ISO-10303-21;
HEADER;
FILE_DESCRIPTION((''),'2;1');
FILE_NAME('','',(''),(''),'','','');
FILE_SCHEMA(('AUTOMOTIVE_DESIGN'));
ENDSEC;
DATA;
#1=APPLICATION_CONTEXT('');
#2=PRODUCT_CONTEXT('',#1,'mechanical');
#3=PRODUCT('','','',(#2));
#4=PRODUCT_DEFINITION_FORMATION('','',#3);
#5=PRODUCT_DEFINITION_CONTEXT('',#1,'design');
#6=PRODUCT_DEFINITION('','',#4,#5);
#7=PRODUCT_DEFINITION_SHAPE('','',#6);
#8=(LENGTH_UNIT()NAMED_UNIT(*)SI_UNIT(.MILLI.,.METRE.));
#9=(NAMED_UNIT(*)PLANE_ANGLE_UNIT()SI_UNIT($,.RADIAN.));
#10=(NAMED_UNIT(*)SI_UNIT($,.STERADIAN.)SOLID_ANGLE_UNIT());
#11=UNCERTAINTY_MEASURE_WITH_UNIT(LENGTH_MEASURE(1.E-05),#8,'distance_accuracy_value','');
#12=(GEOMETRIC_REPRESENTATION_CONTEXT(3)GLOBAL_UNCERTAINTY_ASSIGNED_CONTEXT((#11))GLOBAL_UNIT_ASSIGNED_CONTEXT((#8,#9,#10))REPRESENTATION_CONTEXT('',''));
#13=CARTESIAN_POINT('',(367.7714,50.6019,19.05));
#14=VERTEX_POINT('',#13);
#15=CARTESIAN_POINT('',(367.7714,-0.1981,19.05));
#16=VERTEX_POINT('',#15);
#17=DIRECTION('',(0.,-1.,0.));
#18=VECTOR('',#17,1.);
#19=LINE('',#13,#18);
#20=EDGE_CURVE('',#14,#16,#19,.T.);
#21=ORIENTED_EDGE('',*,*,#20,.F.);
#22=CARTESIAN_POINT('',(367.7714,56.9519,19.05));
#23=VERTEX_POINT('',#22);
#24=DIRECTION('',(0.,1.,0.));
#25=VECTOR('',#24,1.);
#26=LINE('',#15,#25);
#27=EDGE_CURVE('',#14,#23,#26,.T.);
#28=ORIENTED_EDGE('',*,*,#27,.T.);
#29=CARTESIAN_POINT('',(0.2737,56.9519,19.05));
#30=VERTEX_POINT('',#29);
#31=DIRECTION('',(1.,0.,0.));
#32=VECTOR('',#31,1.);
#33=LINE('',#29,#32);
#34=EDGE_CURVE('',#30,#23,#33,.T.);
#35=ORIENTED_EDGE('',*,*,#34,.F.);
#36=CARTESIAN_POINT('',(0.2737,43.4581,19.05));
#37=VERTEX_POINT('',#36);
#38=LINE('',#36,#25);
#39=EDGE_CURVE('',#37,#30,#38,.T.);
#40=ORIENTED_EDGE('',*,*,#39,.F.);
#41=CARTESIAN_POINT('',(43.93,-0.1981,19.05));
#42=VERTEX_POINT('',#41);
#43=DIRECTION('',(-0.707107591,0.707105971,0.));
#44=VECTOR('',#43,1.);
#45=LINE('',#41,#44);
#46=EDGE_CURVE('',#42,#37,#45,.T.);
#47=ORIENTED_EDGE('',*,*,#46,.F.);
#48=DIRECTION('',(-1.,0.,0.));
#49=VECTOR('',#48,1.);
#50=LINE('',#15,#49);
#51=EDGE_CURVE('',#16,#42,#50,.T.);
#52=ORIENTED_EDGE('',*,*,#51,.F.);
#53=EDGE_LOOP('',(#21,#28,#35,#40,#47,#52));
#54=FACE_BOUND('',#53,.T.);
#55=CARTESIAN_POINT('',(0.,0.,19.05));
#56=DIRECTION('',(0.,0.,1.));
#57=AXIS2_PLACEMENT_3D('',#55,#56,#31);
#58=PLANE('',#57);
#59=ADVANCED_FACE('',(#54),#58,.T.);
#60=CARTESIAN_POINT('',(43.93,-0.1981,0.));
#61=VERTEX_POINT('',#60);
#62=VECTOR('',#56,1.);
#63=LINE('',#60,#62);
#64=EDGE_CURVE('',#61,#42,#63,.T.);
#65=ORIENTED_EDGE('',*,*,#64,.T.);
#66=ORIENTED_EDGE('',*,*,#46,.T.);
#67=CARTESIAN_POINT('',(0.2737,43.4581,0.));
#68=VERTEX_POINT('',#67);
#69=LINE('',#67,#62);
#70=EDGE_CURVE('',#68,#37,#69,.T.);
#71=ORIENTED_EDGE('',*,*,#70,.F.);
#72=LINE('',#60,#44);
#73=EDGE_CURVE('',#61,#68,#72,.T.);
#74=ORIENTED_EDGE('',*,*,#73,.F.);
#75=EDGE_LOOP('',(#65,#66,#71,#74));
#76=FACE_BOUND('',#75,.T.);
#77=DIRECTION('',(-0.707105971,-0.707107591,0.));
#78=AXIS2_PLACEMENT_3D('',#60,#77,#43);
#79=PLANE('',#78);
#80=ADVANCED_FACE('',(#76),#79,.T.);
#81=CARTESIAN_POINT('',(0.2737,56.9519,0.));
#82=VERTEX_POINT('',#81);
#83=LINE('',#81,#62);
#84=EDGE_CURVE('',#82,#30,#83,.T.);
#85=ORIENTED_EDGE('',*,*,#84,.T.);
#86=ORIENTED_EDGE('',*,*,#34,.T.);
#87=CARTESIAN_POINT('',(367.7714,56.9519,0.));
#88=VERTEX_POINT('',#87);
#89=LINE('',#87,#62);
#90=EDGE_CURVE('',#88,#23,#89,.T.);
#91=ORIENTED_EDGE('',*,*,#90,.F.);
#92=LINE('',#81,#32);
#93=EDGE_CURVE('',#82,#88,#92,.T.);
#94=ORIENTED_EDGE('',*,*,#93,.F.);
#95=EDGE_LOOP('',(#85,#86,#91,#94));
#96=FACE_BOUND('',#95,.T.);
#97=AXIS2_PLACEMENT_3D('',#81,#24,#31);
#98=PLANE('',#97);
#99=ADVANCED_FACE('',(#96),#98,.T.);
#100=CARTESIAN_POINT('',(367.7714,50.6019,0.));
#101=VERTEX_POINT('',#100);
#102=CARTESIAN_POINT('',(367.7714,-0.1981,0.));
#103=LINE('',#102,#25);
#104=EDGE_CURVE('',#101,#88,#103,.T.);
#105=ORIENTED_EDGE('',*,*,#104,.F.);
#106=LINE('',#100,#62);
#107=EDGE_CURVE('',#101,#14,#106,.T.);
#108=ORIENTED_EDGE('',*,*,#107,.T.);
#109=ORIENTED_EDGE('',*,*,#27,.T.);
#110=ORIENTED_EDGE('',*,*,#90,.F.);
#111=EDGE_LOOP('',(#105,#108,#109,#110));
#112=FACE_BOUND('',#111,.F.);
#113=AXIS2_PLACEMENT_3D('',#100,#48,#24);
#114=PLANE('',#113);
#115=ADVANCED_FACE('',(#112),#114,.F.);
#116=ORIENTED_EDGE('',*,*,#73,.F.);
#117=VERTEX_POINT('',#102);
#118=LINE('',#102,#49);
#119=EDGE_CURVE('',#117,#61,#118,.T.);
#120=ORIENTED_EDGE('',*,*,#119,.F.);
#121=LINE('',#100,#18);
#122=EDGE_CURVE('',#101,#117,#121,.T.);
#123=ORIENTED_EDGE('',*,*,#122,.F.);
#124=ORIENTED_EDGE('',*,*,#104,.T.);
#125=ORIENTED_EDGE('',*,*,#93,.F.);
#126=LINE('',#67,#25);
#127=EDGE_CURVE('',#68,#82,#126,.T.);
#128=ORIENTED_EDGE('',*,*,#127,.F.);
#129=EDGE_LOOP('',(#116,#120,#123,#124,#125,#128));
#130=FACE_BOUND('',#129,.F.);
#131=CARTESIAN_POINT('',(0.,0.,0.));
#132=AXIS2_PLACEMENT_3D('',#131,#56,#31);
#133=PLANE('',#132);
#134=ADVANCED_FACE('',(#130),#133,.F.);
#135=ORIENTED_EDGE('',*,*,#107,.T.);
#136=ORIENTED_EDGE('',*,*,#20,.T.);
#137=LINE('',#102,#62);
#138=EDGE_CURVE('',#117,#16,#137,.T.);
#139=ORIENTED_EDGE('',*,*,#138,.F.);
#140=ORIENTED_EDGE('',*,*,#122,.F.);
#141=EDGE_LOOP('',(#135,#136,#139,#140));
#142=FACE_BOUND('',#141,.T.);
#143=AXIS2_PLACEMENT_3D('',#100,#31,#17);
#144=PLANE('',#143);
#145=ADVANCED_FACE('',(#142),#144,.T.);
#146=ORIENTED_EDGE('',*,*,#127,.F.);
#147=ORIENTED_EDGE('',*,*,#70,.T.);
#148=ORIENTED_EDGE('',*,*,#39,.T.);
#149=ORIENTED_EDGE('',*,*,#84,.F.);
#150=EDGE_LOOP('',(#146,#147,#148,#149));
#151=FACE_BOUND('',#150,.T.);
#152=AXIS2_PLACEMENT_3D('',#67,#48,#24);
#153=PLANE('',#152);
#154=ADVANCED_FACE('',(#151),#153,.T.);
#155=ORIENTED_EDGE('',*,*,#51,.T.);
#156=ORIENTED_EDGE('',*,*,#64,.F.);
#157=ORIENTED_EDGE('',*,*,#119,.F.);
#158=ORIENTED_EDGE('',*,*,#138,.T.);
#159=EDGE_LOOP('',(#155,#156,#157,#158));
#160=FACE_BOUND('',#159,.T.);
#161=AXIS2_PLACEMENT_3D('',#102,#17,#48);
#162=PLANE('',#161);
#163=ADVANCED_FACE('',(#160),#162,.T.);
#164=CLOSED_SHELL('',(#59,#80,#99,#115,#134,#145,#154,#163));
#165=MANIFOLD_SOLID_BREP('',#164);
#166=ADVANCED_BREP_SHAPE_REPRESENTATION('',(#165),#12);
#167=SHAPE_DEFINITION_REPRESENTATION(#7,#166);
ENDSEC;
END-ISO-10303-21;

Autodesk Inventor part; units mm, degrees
ref_plane "YZ Plane" through (0, 0, 0) normal (1, 0, 0) x (0, 1, 0)
ref_plane "XZ Plane" through (0, 0, 0) normal (0, 1, 0) x (-1, 0, 0)
ref_plane "XY Plane" through (0, 0, 0) normal (0, 0, 1) x (1, 0, 0)
sketch "Sketch1" plane through (0, 0, 0) normal (0, 0, 1) x (1, 0, 0)
  line L0 (367.7714, 50.6019) -> (367.7714, -0.1981)
  line L1 (367.7714, -0.1981) -> (367.7714, 56.9519)
  line L2 (367.7714, 56.9519) -> (367.7714, -0.1981)
  line L3 (367.7714, -0.1981) -> (43.93, -0.1981)
  line L4 (43.93, -0.1981) -> (0.2737, 43.4581)
  line L5 (0.2737, 43.4581) -> (0.2737, 56.9519)
  line L6 (0.2737, 56.9519) -> (367.7714, 56.9519)
  point P0 (0, 0)
extrude "Extrusion1" add sketch "Sketch1" along normal blind 19.05
properties part number "nd-17"
